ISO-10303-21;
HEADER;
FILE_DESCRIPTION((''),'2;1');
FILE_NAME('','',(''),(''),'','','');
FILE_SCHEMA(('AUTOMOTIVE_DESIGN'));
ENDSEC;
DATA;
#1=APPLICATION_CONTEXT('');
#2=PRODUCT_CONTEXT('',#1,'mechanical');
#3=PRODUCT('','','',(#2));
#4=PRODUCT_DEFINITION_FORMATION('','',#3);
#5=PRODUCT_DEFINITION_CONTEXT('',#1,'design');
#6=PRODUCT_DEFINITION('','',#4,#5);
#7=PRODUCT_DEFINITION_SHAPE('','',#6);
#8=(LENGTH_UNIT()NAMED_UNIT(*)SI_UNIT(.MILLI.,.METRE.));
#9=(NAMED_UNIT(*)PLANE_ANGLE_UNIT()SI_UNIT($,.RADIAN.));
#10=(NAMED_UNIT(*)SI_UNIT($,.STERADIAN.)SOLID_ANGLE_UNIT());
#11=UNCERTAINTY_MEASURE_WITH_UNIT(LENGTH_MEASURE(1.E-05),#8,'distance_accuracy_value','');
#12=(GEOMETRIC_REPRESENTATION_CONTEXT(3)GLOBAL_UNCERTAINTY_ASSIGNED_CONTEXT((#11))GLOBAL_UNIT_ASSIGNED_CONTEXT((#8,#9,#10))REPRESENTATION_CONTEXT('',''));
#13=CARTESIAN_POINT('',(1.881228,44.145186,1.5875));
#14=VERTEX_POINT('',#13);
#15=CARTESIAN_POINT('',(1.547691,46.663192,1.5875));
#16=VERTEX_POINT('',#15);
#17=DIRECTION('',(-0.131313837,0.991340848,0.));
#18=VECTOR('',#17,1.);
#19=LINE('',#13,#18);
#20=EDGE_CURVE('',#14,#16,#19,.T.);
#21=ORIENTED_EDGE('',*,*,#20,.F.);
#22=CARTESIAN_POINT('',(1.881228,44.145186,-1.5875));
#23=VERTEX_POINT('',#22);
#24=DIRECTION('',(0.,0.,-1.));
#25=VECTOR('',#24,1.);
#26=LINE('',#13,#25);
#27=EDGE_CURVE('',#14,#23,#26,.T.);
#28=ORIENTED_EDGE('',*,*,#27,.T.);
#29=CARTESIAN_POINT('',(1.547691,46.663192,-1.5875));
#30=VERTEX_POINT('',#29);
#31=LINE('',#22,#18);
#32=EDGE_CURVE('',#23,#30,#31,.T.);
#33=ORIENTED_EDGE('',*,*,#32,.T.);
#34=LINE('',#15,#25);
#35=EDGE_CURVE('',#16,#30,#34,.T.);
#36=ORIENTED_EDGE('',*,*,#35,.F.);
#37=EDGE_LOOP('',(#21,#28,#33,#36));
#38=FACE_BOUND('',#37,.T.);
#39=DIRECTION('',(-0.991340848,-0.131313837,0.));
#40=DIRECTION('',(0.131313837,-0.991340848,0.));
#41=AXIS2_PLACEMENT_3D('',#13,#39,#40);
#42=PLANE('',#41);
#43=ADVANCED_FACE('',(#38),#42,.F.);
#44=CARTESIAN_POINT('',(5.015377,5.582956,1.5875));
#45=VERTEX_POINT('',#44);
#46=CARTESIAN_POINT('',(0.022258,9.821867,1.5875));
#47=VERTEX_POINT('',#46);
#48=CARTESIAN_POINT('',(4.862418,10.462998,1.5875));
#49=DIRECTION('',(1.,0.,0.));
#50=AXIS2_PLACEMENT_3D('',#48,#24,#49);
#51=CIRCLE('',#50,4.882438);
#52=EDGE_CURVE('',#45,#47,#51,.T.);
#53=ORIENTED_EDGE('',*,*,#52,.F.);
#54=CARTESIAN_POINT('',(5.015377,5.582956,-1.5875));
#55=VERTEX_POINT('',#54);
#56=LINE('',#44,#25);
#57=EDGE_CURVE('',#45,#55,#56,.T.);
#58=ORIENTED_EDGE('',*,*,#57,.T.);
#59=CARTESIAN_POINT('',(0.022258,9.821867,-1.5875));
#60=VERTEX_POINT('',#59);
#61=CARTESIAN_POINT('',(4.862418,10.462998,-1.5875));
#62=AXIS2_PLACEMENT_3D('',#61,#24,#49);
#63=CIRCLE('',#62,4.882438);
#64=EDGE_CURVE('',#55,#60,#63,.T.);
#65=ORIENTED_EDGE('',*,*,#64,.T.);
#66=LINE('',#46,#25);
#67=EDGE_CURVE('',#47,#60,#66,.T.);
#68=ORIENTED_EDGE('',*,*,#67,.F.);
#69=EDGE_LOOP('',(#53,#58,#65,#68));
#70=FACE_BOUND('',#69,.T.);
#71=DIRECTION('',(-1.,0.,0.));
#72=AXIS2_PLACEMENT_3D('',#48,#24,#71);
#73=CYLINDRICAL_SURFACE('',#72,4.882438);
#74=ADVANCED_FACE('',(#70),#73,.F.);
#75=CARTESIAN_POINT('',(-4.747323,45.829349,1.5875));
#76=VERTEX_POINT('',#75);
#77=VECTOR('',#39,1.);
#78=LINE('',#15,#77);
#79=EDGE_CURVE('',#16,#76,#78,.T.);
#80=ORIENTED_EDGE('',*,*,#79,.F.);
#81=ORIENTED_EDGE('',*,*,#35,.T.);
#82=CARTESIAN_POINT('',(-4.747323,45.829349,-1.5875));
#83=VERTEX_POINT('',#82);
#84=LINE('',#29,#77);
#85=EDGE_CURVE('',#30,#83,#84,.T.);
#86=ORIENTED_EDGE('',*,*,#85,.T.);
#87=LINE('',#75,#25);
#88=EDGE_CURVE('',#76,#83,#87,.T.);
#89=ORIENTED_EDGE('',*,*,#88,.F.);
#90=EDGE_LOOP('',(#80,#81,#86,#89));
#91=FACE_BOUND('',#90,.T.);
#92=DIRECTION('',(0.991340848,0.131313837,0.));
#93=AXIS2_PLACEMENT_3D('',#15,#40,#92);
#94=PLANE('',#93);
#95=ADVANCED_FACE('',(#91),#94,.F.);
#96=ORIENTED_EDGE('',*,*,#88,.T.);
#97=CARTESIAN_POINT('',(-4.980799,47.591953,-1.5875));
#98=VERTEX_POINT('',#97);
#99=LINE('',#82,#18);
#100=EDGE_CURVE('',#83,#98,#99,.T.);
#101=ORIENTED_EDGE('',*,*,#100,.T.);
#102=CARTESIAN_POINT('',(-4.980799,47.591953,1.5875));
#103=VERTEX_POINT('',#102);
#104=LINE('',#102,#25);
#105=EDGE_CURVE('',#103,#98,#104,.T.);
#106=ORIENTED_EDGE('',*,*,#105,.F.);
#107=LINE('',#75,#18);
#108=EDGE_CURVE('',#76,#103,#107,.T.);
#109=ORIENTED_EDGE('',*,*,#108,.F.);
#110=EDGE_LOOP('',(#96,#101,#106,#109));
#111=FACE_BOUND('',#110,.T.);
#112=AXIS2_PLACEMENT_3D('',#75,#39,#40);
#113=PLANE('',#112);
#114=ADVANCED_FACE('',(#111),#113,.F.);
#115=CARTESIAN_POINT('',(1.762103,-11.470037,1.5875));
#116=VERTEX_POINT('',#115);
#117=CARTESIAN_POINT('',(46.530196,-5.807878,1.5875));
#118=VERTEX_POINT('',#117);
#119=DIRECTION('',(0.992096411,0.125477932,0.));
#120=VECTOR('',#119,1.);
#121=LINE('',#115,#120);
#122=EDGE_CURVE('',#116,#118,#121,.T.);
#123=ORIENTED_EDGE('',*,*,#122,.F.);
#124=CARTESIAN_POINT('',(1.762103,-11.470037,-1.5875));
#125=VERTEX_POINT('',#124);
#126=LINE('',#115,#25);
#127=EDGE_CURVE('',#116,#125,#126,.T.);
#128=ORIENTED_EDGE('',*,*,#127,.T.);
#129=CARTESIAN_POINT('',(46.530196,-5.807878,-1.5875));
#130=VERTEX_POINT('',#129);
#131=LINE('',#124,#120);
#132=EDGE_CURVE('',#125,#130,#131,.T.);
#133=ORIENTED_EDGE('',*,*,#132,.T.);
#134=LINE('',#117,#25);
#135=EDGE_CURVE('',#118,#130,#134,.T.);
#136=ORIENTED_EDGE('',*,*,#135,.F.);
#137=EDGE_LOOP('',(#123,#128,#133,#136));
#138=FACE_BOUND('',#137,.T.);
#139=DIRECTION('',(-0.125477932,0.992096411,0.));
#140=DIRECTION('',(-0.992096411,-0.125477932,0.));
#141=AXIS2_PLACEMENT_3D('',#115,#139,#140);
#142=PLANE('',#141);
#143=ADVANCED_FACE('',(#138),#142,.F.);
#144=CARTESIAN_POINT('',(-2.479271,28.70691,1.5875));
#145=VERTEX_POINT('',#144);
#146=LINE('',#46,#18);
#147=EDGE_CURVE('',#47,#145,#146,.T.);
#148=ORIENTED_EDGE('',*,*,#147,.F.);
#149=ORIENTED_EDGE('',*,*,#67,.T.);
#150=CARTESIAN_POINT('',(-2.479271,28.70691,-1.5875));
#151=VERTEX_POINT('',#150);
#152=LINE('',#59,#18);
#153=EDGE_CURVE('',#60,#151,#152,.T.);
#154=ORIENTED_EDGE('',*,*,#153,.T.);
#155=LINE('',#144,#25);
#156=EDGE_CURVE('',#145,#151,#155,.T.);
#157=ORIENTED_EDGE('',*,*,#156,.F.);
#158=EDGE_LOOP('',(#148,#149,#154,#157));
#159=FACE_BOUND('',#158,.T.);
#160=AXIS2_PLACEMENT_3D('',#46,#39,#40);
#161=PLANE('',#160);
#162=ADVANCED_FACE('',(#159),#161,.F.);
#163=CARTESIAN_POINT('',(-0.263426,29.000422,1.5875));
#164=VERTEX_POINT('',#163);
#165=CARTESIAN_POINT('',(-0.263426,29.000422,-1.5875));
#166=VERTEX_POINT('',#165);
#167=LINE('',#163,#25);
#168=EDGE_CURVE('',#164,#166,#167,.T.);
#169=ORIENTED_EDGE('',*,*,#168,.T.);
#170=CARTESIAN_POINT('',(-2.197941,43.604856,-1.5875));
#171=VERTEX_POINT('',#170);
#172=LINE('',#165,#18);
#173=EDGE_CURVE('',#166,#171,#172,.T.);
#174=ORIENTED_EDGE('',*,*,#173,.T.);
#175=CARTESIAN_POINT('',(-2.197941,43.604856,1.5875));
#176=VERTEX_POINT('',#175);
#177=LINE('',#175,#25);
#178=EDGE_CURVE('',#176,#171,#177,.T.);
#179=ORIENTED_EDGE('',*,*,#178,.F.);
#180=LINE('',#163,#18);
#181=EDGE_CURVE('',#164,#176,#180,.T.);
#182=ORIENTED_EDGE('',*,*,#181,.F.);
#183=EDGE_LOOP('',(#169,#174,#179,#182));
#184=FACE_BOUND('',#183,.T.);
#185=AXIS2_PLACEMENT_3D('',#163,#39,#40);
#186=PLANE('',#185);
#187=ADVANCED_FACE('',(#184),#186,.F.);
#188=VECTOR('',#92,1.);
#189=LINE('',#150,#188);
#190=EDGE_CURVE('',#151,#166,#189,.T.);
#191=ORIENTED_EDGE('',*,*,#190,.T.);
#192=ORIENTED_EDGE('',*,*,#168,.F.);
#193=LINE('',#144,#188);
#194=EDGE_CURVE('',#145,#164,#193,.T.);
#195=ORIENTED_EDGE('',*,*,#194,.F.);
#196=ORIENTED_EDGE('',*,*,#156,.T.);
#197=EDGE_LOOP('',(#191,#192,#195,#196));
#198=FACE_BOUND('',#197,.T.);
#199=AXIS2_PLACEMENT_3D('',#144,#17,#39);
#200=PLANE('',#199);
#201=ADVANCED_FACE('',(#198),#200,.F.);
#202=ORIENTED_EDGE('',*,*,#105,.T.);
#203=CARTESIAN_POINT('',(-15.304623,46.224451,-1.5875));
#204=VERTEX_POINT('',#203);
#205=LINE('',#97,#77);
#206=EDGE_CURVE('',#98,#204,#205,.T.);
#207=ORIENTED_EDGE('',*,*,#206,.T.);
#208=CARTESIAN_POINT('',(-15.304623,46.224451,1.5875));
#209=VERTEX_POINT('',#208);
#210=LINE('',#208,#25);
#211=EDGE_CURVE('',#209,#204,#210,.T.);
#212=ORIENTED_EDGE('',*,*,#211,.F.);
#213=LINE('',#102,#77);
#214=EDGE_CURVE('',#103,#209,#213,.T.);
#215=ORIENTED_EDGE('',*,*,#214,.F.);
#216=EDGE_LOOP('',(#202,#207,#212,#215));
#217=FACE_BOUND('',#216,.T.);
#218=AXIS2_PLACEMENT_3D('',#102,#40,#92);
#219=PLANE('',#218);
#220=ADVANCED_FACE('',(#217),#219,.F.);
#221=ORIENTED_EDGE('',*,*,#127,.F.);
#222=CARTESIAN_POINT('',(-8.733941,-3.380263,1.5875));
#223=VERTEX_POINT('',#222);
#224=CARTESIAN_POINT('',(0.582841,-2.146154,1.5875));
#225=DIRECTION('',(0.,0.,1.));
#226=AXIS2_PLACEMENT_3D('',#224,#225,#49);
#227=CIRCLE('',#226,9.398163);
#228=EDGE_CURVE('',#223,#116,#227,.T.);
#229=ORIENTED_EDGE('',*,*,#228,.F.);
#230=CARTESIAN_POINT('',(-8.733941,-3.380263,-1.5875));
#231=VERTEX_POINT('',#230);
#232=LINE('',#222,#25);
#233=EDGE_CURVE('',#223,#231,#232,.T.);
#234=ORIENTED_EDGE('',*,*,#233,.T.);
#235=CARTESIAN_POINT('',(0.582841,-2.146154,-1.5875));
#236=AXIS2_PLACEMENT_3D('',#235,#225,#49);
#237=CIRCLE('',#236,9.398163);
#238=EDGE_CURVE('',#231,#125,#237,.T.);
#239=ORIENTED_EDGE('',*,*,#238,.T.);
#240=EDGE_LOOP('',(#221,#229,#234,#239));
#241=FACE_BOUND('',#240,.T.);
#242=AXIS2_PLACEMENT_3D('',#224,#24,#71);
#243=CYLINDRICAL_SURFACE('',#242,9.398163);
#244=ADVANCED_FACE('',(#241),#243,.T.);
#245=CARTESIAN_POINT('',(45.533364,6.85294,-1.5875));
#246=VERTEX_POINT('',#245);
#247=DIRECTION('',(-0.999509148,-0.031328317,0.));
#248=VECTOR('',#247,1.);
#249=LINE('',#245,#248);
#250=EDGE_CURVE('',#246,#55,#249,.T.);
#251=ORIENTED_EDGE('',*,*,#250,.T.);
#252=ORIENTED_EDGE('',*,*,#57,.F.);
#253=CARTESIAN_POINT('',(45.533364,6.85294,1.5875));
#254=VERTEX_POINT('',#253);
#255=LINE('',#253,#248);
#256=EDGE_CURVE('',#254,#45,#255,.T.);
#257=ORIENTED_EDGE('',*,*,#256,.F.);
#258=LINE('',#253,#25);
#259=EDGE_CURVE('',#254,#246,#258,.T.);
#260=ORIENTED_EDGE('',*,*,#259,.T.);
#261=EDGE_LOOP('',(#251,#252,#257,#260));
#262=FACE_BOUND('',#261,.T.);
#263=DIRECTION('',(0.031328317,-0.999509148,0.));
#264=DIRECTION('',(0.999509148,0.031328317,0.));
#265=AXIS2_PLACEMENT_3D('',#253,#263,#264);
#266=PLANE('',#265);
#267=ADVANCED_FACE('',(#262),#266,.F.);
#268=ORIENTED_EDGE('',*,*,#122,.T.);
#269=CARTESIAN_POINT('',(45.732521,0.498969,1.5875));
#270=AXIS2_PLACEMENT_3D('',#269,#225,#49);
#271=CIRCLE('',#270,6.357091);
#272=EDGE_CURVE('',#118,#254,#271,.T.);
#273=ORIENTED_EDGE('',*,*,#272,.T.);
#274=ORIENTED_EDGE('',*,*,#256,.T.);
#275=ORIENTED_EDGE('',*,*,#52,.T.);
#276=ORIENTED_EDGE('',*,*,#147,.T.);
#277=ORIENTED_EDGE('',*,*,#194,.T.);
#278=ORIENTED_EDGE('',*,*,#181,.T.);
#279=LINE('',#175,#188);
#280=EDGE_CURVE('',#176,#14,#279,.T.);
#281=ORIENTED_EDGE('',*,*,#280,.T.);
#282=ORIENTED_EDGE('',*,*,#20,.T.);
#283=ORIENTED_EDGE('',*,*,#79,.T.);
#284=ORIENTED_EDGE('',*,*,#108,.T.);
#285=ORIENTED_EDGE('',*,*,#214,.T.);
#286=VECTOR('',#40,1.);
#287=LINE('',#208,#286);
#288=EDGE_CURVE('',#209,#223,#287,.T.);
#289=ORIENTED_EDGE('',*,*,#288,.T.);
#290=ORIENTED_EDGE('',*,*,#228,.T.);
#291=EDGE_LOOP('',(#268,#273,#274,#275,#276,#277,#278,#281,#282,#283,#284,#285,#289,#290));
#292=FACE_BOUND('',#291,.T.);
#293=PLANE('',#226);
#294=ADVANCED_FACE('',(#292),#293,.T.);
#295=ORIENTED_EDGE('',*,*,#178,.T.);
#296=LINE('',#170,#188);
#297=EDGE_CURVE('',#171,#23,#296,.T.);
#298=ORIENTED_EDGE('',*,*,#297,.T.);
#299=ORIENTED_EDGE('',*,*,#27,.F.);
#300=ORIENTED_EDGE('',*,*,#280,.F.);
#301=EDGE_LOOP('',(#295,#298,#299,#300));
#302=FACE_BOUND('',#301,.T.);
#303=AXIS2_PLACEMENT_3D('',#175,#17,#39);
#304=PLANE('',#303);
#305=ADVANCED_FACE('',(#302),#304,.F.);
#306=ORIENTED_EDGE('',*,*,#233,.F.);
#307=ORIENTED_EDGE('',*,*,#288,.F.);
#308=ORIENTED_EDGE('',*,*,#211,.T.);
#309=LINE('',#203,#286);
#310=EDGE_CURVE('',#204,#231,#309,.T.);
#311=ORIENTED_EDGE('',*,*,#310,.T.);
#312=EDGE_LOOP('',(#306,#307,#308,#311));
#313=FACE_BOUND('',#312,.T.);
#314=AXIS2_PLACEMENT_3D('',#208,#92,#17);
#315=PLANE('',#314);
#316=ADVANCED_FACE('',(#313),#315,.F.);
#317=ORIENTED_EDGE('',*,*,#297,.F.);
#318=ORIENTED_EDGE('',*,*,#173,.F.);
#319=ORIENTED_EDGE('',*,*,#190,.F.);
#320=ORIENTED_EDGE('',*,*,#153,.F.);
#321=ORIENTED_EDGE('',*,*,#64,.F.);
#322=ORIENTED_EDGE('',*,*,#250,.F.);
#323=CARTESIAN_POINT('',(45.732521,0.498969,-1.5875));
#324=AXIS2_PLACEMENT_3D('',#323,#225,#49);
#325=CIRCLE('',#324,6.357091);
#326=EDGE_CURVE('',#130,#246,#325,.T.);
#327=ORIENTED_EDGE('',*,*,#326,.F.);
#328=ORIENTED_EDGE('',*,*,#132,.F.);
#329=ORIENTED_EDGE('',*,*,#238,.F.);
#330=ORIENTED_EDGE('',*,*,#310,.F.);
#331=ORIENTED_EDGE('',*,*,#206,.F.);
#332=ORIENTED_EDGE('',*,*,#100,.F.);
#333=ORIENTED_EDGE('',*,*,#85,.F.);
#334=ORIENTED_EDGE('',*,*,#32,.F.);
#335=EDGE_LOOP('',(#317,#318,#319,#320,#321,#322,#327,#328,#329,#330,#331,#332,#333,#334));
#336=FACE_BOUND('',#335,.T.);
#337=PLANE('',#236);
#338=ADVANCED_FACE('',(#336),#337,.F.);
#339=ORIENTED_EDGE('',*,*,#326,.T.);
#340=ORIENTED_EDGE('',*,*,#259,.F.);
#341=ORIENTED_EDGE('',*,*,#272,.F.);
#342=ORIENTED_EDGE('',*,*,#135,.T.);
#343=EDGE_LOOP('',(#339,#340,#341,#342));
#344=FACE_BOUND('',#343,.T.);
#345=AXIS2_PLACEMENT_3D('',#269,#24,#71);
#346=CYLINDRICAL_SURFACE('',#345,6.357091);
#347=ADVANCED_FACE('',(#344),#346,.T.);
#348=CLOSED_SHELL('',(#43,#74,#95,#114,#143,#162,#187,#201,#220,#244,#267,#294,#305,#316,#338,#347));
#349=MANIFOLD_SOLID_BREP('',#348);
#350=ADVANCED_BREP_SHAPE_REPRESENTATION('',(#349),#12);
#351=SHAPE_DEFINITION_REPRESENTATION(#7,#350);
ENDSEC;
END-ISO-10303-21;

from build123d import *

# Parameters (mm, degrees)
BOSS_EXTRUDE1_DEPTH = 1.5875


with BuildPart() as part:
    # Sketch2 → Boss-Extrude1 (new, symmetric)
    with BuildSketch(Plane.XY):
        with BuildLine():
            Line((0.022257802, 9.82186659), (-2.479270797, 28.706909737))
            Line((-2.479270797, 28.706909737), (-0.263425734, 29.000422426))
            Line((-0.263425734, 29.000422426), (-2.197941184, 43.604855793))
            Line((-2.197941184, 43.604855793), (1.881228135, 44.14518597))
            Line((1.881228135, 44.14518597), (1.547690989, 46.663191723))
            Line((1.547690989, 46.663191723), (-4.747323394, 45.829348857))
            Line((-4.747323394, 45.829348857), (-4.980799396, 47.591952884))
            Line((-4.980799396, 47.591952884), (-15.304622983, 46.224450583))
            Line((-15.304622983, 46.224450583), (-8.733941196, -3.38026275))
            ThreePointArc((-8.733941196, -3.38026275), (-5.154398694, -9.589912307), (1.762103428, -11.470037447))
            Line((1.762103428, -11.470037447), (46.530195884, -5.807878402))
            ThreePointArc((46.530195884, -5.807878402), (52.07, 0.997941592), (45.533364229, 6.85294016))
            Line((45.533364229, 6.85294016), (5.015377017, 5.582956452))
            ThreePointArc((5.015377017, 5.582956452), (1.702583701, 6.740949239), (0.022257802, 9.82186659))
        make_face()
    extrude(amount=BOSS_EXTRUDE1_DEPTH, both=True)


solid = part.part
